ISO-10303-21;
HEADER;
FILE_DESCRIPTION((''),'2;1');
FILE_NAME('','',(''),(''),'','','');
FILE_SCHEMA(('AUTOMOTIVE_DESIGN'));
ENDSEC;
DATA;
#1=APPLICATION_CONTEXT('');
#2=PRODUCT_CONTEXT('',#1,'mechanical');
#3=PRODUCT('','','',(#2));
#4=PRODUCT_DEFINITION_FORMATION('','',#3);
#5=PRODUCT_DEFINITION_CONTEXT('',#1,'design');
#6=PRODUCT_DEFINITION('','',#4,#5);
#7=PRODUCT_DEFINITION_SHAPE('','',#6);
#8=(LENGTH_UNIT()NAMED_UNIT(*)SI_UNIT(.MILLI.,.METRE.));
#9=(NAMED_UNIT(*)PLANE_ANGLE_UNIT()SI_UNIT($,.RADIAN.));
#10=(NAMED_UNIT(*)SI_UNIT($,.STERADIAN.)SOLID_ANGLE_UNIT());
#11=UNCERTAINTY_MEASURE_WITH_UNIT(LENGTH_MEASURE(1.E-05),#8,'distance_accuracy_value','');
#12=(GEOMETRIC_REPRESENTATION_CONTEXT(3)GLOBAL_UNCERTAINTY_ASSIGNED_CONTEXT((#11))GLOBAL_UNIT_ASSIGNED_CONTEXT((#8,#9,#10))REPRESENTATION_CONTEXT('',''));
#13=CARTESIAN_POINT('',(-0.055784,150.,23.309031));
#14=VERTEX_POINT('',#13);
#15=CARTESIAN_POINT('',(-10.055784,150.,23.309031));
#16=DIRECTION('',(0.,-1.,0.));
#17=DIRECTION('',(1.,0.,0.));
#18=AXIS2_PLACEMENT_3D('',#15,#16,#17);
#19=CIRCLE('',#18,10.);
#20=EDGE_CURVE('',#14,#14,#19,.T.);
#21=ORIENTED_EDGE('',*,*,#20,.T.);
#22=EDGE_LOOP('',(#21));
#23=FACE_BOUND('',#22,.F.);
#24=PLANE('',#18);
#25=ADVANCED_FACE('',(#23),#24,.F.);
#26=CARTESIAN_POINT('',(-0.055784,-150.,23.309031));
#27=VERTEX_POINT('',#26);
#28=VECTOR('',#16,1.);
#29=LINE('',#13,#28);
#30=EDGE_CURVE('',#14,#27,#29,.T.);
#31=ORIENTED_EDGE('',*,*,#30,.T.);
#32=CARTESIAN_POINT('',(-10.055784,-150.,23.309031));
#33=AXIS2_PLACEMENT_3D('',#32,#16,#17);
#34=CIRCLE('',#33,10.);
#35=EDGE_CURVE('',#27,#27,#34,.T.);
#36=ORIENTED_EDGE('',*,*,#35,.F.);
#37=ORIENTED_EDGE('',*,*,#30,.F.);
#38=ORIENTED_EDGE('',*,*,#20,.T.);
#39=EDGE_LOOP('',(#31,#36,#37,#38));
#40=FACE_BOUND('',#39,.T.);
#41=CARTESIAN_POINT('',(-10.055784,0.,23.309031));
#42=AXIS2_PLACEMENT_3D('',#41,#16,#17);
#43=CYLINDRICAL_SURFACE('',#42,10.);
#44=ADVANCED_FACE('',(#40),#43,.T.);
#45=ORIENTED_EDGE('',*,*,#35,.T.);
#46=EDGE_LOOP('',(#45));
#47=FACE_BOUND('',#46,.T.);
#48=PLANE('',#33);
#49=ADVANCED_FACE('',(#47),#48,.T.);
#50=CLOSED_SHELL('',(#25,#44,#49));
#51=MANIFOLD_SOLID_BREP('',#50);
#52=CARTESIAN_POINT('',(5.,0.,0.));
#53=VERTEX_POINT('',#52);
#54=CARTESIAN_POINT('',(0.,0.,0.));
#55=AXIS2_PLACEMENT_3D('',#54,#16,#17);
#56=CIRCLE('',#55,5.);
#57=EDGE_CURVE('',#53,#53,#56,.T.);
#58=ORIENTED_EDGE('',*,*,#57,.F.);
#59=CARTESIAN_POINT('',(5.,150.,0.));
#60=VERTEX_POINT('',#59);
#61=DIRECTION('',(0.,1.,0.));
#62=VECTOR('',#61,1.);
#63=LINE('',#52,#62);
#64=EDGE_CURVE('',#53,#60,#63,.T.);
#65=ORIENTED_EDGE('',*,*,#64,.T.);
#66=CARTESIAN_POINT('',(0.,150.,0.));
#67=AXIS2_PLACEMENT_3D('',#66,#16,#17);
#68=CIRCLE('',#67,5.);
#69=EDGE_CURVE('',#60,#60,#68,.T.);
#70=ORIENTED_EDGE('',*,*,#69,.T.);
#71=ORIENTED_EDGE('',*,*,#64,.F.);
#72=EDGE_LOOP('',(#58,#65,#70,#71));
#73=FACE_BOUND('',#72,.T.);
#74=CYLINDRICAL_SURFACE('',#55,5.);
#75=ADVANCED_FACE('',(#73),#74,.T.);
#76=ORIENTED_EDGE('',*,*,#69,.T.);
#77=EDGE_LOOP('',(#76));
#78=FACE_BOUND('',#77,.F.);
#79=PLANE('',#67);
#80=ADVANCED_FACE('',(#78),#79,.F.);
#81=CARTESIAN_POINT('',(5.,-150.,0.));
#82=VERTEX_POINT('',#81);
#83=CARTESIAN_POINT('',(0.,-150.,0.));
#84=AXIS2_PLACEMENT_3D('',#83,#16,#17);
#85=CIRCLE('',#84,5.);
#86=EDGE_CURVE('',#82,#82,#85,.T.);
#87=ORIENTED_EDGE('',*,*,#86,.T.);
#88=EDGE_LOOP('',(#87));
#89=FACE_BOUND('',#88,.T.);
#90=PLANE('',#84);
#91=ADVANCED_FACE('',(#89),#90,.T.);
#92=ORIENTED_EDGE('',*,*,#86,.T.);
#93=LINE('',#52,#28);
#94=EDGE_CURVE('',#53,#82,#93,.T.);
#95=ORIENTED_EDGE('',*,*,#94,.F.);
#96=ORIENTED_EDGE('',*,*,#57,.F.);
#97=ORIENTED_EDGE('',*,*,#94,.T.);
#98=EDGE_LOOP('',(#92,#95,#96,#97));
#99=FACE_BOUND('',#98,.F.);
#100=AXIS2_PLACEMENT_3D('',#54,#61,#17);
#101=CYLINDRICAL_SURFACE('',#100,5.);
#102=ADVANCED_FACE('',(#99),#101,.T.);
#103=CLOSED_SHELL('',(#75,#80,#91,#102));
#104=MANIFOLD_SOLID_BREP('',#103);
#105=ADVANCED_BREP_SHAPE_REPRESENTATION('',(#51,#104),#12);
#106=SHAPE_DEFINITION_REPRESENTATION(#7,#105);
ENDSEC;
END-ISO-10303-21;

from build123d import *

# Parameters (mm, degrees)
F0_R     = 5
F0_R_2   = 10
F1_DEPTH = 150


with BuildPart() as f1:
    # F0 (on Front) → F1 (new body, symmetric)
    with BuildSketch(Plane.XZ):
        Circle(F0_R)
        with Locations((-10.055784, 23.309031)):
            Circle(F0_R_2)
    extrude(amount=F1_DEPTH, both=True)


solid = f1.part
